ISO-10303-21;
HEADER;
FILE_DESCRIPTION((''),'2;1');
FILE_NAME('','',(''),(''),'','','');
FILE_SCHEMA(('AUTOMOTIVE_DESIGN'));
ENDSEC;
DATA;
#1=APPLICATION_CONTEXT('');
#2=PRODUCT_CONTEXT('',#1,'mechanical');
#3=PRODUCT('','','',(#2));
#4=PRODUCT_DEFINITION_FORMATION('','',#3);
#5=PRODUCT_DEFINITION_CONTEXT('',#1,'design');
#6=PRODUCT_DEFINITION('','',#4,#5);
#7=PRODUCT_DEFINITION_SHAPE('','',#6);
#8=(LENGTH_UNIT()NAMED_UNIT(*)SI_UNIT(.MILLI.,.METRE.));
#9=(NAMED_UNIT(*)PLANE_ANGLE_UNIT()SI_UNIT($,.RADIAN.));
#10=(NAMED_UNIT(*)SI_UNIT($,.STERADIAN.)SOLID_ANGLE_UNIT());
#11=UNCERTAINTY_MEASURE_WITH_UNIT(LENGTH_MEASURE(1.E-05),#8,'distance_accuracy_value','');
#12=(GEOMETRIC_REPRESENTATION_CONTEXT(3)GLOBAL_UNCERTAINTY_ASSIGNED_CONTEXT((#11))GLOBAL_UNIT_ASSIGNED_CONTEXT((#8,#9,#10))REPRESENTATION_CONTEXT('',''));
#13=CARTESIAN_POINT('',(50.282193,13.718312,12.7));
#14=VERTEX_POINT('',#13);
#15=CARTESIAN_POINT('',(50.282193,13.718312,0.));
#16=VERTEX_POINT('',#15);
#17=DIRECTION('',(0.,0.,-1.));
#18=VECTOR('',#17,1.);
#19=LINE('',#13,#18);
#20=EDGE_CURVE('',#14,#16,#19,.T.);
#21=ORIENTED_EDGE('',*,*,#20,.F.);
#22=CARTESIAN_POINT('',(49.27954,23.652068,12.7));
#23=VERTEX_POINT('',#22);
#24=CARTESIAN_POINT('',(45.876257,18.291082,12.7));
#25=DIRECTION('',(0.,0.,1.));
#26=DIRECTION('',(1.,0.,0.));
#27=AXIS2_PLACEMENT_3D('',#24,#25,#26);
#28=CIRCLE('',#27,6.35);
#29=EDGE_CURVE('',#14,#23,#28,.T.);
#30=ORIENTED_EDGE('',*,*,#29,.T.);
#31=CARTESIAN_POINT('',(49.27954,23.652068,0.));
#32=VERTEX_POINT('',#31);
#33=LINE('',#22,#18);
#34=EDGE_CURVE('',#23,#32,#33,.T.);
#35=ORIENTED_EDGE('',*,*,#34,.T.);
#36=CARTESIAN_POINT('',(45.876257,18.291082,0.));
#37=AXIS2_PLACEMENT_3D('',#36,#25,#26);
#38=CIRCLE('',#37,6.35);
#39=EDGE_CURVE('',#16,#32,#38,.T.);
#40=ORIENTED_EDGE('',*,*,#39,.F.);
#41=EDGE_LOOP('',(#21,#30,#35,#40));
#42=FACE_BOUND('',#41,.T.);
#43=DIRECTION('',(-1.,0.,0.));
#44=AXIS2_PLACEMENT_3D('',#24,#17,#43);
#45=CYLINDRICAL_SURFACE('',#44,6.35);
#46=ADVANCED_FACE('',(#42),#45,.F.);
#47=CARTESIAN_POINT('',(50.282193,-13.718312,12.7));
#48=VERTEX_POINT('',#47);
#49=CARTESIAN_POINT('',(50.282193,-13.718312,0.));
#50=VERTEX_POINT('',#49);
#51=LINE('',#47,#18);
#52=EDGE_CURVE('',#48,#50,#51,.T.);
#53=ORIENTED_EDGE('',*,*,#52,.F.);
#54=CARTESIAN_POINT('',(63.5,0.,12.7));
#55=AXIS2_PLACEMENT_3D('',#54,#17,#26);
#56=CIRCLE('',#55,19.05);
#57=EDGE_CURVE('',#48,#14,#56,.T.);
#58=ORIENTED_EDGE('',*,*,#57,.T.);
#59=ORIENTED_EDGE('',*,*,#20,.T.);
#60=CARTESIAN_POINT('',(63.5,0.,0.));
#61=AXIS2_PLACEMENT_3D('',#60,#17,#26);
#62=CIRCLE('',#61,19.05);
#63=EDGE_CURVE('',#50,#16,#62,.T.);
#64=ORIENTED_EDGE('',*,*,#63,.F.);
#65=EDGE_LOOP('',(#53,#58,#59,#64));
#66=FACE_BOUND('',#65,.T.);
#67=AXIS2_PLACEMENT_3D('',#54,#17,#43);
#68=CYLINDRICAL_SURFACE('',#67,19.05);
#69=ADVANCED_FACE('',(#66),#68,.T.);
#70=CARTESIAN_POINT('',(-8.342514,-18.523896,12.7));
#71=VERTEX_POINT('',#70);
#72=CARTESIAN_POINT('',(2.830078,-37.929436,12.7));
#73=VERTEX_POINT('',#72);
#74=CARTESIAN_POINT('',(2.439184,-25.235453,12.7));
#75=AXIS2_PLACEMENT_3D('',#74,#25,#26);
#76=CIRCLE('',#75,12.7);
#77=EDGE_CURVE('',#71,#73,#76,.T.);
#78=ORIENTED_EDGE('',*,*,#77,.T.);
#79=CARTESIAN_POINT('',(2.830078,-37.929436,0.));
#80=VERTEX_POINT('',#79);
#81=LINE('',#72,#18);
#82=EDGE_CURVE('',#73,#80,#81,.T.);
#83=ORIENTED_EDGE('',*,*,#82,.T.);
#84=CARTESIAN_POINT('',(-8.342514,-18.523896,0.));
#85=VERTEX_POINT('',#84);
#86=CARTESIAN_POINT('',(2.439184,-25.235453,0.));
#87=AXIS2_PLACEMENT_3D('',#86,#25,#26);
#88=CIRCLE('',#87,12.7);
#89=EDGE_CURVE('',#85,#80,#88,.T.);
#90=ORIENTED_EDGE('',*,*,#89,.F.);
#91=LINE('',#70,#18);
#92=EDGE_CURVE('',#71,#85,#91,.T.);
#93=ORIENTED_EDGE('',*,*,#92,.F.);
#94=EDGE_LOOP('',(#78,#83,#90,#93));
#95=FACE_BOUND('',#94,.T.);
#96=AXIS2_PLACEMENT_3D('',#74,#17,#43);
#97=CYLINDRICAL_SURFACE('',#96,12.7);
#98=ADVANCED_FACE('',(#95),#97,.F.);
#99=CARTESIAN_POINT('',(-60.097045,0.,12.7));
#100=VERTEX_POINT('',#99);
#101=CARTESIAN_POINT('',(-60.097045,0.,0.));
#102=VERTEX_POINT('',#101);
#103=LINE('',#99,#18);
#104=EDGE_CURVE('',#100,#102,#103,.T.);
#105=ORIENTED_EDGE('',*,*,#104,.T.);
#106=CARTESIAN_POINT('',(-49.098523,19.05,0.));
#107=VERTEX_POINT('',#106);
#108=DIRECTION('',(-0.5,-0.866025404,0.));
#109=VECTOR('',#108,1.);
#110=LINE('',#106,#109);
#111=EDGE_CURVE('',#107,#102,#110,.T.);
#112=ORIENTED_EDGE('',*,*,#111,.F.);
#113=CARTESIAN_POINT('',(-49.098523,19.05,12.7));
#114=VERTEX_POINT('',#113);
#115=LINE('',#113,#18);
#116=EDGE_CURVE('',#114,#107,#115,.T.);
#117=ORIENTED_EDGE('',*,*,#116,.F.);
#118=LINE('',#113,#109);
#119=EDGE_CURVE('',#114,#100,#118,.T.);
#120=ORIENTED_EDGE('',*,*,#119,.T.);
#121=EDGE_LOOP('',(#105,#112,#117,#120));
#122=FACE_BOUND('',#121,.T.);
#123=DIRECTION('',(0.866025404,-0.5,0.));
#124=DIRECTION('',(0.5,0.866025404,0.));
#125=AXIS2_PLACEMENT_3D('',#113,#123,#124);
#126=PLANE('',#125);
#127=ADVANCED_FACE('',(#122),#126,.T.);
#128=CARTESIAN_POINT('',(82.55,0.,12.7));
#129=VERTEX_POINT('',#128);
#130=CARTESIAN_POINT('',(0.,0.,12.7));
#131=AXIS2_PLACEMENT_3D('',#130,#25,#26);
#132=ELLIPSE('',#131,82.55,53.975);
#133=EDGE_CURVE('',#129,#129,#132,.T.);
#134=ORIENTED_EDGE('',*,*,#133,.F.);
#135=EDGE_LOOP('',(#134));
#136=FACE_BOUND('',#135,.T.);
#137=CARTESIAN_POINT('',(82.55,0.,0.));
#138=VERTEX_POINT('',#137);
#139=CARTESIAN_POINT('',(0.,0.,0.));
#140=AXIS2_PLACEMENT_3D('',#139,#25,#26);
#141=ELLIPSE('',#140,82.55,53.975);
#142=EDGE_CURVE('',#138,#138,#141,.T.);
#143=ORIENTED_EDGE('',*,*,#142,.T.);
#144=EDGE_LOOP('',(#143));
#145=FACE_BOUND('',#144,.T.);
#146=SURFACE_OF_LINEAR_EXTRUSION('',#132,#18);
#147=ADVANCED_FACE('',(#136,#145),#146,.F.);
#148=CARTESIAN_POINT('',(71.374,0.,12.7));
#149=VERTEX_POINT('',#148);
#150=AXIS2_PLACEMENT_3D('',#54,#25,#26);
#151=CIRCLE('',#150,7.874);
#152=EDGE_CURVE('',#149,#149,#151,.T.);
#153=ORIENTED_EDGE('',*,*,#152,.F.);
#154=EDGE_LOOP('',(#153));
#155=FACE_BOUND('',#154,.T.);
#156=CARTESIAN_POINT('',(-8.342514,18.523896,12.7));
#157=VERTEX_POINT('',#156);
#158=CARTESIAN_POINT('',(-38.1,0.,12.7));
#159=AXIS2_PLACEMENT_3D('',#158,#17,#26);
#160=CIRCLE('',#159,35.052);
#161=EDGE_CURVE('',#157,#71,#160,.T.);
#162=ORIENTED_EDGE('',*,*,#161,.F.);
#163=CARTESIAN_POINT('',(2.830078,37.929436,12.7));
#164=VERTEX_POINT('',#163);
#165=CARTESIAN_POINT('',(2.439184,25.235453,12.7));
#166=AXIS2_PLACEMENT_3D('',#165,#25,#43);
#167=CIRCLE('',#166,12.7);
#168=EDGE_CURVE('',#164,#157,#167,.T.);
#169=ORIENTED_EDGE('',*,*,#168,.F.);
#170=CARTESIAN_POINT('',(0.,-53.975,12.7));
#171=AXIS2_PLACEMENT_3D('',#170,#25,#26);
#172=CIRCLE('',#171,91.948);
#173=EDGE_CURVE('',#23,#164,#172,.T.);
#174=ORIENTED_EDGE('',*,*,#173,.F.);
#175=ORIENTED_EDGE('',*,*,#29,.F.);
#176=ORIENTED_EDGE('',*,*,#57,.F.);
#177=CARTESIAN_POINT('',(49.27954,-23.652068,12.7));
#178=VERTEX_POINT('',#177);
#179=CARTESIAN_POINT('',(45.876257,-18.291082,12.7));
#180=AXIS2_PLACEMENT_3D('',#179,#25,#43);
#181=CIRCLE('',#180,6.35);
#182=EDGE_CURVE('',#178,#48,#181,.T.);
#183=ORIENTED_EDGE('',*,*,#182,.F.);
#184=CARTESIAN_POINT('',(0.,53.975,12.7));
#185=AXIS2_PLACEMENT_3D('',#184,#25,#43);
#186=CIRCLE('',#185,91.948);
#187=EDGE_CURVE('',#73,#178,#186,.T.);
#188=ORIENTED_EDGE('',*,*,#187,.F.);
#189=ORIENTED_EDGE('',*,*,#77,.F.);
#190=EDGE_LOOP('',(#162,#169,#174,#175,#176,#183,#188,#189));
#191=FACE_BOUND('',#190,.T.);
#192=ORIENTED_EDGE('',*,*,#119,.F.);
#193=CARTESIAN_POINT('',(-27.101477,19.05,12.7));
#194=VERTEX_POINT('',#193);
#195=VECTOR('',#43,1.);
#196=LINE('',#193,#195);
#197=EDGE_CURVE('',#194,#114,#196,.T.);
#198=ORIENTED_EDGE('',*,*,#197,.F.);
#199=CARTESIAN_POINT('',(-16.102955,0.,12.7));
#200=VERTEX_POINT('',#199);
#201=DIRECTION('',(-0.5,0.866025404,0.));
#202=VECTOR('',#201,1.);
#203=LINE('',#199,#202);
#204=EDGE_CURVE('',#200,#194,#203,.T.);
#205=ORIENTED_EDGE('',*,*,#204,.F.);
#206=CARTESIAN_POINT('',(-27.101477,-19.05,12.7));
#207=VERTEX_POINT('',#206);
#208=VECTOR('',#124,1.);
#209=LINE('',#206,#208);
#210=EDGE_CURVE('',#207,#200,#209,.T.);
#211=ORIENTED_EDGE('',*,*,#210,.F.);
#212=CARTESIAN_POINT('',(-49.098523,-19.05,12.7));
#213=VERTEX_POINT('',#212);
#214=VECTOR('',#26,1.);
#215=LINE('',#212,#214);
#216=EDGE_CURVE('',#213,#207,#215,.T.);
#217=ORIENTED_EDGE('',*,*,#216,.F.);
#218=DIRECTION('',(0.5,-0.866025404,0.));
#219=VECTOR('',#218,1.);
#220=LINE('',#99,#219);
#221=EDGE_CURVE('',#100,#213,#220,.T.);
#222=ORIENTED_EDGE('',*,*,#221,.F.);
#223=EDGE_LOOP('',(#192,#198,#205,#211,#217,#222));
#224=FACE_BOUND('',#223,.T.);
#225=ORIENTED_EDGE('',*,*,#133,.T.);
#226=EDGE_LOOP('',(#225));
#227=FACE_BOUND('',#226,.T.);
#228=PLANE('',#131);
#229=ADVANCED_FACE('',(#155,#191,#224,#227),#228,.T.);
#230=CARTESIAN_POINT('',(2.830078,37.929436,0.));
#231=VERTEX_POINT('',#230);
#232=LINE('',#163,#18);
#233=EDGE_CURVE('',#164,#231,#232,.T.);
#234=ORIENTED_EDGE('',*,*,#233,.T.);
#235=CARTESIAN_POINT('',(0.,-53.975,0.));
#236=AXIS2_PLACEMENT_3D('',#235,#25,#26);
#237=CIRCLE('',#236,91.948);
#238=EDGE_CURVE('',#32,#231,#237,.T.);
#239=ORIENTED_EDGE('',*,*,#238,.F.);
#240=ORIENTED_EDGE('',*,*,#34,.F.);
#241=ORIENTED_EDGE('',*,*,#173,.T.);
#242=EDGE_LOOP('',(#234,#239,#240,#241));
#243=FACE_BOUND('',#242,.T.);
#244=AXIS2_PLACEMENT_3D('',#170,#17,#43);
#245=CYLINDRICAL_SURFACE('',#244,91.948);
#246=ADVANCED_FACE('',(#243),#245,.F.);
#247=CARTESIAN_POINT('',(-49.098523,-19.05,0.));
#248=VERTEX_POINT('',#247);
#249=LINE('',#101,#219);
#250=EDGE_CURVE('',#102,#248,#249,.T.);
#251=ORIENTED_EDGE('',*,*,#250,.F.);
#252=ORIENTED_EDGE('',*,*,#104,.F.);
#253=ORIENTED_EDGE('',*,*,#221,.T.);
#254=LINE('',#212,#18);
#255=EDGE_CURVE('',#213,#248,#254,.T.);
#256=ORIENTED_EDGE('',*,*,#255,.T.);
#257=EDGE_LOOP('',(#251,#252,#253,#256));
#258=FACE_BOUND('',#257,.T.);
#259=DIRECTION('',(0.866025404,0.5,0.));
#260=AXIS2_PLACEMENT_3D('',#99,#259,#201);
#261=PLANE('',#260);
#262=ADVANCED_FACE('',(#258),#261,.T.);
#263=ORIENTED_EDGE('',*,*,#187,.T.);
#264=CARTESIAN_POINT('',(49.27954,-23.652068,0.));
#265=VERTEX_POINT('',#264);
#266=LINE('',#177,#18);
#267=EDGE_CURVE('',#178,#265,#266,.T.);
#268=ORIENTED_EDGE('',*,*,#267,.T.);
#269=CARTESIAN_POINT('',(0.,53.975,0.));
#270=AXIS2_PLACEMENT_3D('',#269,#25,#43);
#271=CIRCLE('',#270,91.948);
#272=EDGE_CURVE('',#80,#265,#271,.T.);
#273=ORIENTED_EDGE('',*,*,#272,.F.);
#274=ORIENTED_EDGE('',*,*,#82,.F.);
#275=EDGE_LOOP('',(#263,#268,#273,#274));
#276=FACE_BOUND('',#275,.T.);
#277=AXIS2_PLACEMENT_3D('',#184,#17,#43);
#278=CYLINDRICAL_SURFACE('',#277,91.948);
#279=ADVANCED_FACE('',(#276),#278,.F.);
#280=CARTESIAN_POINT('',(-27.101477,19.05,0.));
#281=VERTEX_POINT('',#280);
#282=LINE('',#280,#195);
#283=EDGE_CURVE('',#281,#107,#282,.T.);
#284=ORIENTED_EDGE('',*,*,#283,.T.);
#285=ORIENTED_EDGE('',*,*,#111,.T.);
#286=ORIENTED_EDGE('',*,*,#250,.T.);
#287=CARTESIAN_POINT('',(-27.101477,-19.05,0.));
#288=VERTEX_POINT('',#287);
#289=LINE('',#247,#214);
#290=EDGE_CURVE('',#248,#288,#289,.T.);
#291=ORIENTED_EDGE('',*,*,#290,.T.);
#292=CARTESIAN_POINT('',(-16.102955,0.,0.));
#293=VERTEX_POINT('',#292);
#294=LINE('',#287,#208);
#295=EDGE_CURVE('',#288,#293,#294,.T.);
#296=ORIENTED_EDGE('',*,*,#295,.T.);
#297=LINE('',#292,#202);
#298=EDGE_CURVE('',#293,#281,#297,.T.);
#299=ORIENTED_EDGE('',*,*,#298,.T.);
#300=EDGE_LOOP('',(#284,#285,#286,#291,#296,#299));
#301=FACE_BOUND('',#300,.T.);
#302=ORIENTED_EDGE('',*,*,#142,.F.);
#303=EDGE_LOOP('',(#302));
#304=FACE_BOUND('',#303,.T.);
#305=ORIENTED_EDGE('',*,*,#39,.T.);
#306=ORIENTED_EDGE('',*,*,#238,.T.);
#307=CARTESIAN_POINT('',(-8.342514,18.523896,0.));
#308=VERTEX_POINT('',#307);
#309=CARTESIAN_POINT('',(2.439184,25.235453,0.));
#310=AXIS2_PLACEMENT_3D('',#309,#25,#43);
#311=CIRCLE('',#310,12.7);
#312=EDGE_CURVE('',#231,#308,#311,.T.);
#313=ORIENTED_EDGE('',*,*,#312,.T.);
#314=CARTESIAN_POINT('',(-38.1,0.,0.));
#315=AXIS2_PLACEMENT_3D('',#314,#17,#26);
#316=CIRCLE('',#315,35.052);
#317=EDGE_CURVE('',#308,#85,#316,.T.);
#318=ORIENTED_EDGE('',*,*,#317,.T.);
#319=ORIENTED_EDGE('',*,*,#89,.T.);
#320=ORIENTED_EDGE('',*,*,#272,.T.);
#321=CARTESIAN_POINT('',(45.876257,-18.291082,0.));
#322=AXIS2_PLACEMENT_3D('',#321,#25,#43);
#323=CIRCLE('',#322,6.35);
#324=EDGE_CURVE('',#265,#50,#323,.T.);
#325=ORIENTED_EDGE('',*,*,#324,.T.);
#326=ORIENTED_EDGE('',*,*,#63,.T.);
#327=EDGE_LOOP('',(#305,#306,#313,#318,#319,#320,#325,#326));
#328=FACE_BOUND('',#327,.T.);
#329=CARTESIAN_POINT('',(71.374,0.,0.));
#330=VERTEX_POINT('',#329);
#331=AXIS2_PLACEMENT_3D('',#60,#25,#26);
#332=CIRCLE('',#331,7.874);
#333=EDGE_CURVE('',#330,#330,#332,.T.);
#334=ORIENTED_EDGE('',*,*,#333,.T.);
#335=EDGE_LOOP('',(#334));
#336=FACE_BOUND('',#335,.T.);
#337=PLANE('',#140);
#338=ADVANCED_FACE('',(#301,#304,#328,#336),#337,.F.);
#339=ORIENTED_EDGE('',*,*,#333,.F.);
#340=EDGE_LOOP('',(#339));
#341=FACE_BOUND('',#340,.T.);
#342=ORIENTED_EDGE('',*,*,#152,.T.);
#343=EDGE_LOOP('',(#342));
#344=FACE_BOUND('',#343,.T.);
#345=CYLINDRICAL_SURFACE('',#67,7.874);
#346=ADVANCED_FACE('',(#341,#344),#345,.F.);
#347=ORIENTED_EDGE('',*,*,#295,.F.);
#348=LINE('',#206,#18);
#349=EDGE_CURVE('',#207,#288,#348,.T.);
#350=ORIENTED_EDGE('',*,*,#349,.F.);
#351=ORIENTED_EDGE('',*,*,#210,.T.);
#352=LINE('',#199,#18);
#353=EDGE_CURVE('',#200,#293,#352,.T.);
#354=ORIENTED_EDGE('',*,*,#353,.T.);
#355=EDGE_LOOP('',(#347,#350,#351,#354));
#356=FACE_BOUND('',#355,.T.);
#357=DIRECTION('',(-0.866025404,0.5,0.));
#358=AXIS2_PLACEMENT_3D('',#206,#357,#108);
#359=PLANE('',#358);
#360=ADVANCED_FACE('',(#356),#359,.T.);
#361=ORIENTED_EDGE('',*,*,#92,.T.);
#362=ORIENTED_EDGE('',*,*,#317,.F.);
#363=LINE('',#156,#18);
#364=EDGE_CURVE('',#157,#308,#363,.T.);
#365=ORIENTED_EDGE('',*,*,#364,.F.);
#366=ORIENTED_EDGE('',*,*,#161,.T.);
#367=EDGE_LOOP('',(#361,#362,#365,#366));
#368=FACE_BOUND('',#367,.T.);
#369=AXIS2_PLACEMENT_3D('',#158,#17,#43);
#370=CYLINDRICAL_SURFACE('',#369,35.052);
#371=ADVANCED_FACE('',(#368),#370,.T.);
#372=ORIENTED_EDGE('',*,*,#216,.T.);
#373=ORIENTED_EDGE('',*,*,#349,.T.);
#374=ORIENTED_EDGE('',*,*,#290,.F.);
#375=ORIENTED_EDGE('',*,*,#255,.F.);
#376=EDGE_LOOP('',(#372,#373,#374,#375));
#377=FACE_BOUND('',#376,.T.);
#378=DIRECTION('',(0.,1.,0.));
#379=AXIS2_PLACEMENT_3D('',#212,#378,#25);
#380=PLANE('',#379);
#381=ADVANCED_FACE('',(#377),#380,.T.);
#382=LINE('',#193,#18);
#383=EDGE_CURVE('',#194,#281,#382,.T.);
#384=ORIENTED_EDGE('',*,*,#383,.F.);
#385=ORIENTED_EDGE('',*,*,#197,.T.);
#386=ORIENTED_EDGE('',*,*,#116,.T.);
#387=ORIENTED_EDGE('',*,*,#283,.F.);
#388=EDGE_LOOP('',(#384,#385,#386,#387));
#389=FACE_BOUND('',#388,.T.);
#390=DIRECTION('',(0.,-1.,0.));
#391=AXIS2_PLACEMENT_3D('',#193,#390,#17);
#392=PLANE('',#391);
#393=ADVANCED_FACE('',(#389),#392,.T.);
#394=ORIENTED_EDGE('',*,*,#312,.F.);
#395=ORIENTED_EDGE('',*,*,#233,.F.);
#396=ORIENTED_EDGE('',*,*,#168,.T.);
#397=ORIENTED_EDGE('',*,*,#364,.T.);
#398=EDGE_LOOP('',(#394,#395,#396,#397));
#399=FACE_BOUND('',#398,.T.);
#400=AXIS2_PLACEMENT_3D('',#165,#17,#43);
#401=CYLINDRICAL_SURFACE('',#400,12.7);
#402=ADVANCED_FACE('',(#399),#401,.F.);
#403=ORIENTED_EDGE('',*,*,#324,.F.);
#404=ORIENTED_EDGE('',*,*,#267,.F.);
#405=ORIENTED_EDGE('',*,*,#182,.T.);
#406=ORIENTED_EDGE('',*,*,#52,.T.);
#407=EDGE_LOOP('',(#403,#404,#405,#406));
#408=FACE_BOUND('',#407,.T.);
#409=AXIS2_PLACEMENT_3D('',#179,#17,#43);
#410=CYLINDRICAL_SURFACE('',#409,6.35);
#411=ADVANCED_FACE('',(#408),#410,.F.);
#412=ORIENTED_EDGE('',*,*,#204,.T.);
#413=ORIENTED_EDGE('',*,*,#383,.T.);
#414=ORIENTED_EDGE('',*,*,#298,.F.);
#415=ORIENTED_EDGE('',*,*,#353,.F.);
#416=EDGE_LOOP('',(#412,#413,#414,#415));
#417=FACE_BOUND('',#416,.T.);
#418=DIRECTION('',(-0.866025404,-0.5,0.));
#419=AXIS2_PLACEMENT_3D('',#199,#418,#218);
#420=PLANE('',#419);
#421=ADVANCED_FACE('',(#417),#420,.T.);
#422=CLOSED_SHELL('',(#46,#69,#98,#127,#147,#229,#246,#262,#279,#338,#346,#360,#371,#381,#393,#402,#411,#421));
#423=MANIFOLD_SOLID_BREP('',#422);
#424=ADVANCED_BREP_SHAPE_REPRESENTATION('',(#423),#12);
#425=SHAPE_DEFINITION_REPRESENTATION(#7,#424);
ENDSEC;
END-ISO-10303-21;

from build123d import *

# Parameters (mm, degrees)
SKETCH1_RX          = 82.55
SKETCH1_RY          = 53.975
SKETCH1_R           = 7.874
BOSS_EXTRUDE1_DEPTH = 12.7


with BuildPart() as part:
    # Sketch1 → Boss-Extrude1 (new body)
    with BuildSketch(Plane.XY):
        with Locations((0, 0)):
            Ellipse(SKETCH1_RX, SKETCH1_RY)
        with Locations((63.5, 0)):
            Circle(SKETCH1_R, mode=Mode.SUBTRACT)
        Polygon((-16.102954744, 0), (-27.101477372, 19.05), (-49.098522628, 19.05), (-60.097045256, 0), (-49.098522628, -19.05), (-27.101477372, -19.05), align=None, mode=Mode.SUBTRACT)
        with BuildLine():
            ThreePointArc((50.282192855, 13.718311641), (44.45, 0), (50.282192855, -13.718311641))
            ThreePointArc((50.282192855, -13.718311641), (52.194156422, -18.928772289), (49.279540311, -23.652067514))
            ThreePointArc((49.279540311, -23.652067514), (27.015068096, -33.914821935), (2.830078432, -37.92943602))
            ThreePointArc((2.830078432, -37.92943602), (-8.566993644, -31.572176432), (-8.342514151, -18.523896457))
            ThreePointArc((-8.342514151, -18.523896457), (-3.048, 0), (-8.342514151, 18.523896457))
            ThreePointArc((-8.342514151, 18.523896457), (-8.566993644, 31.572176432), (2.830078432, 37.92943602))
            ThreePointArc((2.830078432, 37.92943602), (27.015068096, 33.914821935), (49.279540311, 23.652067514))
            ThreePointArc((49.279540311, 23.652067514), (52.194156422, 18.928772289), (50.282192855, 13.718311641))
        make_face(mode=Mode.SUBTRACT)
    extrude(amount=BOSS_EXTRUDE1_DEPTH)


solid = part.part
